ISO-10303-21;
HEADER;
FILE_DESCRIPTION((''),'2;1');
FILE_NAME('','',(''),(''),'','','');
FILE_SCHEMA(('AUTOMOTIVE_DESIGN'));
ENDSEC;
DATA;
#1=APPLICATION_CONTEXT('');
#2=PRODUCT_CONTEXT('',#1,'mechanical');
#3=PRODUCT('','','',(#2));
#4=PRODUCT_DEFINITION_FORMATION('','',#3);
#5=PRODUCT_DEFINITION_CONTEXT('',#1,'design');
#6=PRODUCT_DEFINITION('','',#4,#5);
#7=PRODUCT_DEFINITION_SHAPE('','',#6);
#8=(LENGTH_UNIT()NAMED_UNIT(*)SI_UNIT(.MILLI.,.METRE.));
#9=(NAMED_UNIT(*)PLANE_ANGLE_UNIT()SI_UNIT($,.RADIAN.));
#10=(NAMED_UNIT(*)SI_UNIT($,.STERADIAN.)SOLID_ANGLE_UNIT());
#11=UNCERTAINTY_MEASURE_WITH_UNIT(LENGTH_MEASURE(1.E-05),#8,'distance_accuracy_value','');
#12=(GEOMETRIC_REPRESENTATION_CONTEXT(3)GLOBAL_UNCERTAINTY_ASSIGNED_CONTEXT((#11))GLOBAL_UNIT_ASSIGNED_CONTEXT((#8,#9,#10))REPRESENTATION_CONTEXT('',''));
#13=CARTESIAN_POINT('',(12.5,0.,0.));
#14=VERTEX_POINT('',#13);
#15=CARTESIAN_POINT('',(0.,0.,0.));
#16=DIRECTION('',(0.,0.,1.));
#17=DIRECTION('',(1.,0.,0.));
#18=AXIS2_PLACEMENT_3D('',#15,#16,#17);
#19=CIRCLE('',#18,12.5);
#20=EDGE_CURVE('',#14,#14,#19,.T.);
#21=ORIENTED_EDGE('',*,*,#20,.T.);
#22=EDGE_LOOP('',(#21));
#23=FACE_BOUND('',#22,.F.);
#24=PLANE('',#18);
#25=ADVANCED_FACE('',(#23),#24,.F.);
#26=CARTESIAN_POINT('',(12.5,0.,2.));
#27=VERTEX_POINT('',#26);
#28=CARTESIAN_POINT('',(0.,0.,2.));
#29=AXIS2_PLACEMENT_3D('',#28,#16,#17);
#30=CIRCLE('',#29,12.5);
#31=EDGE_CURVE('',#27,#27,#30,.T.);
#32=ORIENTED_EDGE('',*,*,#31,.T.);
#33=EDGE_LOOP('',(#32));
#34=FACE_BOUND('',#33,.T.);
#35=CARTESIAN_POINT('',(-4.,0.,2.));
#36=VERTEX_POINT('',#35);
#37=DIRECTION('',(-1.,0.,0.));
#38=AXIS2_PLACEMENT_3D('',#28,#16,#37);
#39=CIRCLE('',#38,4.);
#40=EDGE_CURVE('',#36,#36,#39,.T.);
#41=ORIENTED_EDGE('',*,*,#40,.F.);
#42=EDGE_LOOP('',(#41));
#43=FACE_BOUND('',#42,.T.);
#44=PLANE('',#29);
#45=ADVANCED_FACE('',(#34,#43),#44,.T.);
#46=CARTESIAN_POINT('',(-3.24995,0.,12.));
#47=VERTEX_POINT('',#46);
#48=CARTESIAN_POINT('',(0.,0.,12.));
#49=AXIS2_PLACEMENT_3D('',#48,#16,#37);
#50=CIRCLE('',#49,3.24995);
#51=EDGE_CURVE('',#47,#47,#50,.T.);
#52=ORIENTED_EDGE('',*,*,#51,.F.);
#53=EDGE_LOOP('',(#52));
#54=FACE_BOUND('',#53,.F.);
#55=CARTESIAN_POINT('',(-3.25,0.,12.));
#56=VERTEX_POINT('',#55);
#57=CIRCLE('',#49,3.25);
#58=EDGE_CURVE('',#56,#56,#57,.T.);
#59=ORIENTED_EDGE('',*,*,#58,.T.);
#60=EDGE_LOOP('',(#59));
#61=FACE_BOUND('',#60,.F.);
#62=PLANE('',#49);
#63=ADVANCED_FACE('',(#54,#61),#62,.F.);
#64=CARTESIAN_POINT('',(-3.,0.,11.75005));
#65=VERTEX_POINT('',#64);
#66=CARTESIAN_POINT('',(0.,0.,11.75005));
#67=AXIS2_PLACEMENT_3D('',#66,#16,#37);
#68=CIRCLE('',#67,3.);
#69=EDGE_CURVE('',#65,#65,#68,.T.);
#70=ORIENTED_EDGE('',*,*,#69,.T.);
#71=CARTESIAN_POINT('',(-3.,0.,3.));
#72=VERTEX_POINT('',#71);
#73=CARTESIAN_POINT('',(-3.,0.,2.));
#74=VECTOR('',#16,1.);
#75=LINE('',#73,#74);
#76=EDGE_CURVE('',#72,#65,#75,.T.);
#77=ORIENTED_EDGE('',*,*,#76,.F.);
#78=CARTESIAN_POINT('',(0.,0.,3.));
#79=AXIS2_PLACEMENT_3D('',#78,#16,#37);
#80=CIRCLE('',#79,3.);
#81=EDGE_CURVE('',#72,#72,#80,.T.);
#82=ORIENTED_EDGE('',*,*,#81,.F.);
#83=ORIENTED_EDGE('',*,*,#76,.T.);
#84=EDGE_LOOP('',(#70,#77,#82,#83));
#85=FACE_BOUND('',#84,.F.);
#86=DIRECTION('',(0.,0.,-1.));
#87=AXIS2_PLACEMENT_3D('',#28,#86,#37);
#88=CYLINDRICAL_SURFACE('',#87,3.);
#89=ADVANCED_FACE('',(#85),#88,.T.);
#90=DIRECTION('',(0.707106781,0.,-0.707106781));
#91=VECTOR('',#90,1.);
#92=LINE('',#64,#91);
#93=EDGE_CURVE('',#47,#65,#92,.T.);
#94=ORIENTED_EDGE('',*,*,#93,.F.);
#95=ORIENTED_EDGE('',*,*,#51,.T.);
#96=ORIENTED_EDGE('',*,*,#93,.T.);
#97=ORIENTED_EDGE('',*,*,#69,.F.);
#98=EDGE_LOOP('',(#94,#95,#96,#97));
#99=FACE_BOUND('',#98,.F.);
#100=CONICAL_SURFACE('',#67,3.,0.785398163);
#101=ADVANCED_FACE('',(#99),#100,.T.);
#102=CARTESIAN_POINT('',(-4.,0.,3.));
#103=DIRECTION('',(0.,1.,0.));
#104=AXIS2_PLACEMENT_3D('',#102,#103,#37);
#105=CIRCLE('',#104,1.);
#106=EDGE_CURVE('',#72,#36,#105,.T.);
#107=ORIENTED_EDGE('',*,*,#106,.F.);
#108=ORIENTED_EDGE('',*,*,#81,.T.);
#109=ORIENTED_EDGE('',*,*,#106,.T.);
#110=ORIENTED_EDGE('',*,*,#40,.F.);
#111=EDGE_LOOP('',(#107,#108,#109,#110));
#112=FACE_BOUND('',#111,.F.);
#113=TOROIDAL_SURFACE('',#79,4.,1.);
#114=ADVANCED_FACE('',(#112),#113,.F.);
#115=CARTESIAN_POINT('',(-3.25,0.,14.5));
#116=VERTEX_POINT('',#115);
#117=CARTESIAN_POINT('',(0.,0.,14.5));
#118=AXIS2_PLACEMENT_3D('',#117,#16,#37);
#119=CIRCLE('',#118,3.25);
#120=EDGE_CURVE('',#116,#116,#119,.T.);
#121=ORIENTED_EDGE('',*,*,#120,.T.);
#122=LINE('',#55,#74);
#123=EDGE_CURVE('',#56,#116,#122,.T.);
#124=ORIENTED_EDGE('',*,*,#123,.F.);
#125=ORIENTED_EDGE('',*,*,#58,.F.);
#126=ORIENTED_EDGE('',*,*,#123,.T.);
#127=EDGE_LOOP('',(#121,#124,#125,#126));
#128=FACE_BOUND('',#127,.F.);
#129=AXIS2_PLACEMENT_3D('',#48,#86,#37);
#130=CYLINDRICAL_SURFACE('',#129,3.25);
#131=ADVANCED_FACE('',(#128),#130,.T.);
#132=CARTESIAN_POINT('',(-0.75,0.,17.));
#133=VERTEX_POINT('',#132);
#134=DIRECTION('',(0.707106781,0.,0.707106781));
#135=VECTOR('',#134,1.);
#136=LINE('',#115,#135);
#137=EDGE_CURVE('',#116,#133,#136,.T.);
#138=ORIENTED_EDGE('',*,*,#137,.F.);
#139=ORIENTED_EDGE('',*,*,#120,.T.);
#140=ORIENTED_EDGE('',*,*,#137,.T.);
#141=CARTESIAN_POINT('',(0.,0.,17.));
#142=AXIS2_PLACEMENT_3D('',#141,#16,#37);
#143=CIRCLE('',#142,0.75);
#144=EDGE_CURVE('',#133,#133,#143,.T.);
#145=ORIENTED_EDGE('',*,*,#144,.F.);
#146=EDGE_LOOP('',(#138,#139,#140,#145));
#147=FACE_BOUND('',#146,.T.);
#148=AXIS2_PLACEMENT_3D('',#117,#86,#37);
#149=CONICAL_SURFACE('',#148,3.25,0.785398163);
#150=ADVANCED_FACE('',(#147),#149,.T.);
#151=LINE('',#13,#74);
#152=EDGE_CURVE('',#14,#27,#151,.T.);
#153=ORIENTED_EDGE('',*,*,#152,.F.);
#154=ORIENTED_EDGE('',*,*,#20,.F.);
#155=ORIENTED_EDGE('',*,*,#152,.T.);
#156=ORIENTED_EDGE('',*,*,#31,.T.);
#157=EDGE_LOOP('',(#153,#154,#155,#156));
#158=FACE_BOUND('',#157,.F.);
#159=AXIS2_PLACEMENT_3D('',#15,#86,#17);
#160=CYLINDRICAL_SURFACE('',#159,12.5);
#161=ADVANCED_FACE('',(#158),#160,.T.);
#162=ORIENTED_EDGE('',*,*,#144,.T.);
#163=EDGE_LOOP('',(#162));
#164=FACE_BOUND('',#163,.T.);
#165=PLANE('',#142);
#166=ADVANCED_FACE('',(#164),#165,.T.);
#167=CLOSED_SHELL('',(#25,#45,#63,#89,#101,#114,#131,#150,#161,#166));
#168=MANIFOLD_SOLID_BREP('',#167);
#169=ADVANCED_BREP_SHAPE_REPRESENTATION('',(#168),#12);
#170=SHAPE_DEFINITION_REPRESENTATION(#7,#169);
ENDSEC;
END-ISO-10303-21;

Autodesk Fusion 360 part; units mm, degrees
sketch "Sketch1" plane through (0, 0, 0) normal (0, 0, 1) x (1, 0, 0)
  circle A0 centre (0, 0) radius 12.5
extrude "Extrude1" add sketch "Sketch1" along normal blind 2
sketch "Sketch2" plane through (0, 0, 2) normal (0, 0, 1) x (-1, 0, 0)
  circle A0 centre (0, 0) radius 12.5
  circle A1 centre (0, 0) radius 3
extrude "Extrude2" add sketch "Sketch2" along normal blind 10 contours A1
sketch "Sketch3" plane through (0, 0, 12) normal (0, 0, 1) x (-1, 0, 0)
  circle A0 centre (0, 0) radius 3
  circle A1 centre (0, 0) radius 3.25
  dimension "d8" = 6.5
extrude "Extrude3" add sketch "Sketch3" along normal blind 5 contours A0 | A1
chamfer "Chamfer1" distance 2.5 angle 45 1 edges at (3.0301, 1.1753, 17)
chamfer "Chamfer2" distance 0.25 angle 45 1 edges at (2.797, 1.0848, 12)
fillet "Fillet1" radius 1 1 edges at (2.797, -1.0848, 2)
